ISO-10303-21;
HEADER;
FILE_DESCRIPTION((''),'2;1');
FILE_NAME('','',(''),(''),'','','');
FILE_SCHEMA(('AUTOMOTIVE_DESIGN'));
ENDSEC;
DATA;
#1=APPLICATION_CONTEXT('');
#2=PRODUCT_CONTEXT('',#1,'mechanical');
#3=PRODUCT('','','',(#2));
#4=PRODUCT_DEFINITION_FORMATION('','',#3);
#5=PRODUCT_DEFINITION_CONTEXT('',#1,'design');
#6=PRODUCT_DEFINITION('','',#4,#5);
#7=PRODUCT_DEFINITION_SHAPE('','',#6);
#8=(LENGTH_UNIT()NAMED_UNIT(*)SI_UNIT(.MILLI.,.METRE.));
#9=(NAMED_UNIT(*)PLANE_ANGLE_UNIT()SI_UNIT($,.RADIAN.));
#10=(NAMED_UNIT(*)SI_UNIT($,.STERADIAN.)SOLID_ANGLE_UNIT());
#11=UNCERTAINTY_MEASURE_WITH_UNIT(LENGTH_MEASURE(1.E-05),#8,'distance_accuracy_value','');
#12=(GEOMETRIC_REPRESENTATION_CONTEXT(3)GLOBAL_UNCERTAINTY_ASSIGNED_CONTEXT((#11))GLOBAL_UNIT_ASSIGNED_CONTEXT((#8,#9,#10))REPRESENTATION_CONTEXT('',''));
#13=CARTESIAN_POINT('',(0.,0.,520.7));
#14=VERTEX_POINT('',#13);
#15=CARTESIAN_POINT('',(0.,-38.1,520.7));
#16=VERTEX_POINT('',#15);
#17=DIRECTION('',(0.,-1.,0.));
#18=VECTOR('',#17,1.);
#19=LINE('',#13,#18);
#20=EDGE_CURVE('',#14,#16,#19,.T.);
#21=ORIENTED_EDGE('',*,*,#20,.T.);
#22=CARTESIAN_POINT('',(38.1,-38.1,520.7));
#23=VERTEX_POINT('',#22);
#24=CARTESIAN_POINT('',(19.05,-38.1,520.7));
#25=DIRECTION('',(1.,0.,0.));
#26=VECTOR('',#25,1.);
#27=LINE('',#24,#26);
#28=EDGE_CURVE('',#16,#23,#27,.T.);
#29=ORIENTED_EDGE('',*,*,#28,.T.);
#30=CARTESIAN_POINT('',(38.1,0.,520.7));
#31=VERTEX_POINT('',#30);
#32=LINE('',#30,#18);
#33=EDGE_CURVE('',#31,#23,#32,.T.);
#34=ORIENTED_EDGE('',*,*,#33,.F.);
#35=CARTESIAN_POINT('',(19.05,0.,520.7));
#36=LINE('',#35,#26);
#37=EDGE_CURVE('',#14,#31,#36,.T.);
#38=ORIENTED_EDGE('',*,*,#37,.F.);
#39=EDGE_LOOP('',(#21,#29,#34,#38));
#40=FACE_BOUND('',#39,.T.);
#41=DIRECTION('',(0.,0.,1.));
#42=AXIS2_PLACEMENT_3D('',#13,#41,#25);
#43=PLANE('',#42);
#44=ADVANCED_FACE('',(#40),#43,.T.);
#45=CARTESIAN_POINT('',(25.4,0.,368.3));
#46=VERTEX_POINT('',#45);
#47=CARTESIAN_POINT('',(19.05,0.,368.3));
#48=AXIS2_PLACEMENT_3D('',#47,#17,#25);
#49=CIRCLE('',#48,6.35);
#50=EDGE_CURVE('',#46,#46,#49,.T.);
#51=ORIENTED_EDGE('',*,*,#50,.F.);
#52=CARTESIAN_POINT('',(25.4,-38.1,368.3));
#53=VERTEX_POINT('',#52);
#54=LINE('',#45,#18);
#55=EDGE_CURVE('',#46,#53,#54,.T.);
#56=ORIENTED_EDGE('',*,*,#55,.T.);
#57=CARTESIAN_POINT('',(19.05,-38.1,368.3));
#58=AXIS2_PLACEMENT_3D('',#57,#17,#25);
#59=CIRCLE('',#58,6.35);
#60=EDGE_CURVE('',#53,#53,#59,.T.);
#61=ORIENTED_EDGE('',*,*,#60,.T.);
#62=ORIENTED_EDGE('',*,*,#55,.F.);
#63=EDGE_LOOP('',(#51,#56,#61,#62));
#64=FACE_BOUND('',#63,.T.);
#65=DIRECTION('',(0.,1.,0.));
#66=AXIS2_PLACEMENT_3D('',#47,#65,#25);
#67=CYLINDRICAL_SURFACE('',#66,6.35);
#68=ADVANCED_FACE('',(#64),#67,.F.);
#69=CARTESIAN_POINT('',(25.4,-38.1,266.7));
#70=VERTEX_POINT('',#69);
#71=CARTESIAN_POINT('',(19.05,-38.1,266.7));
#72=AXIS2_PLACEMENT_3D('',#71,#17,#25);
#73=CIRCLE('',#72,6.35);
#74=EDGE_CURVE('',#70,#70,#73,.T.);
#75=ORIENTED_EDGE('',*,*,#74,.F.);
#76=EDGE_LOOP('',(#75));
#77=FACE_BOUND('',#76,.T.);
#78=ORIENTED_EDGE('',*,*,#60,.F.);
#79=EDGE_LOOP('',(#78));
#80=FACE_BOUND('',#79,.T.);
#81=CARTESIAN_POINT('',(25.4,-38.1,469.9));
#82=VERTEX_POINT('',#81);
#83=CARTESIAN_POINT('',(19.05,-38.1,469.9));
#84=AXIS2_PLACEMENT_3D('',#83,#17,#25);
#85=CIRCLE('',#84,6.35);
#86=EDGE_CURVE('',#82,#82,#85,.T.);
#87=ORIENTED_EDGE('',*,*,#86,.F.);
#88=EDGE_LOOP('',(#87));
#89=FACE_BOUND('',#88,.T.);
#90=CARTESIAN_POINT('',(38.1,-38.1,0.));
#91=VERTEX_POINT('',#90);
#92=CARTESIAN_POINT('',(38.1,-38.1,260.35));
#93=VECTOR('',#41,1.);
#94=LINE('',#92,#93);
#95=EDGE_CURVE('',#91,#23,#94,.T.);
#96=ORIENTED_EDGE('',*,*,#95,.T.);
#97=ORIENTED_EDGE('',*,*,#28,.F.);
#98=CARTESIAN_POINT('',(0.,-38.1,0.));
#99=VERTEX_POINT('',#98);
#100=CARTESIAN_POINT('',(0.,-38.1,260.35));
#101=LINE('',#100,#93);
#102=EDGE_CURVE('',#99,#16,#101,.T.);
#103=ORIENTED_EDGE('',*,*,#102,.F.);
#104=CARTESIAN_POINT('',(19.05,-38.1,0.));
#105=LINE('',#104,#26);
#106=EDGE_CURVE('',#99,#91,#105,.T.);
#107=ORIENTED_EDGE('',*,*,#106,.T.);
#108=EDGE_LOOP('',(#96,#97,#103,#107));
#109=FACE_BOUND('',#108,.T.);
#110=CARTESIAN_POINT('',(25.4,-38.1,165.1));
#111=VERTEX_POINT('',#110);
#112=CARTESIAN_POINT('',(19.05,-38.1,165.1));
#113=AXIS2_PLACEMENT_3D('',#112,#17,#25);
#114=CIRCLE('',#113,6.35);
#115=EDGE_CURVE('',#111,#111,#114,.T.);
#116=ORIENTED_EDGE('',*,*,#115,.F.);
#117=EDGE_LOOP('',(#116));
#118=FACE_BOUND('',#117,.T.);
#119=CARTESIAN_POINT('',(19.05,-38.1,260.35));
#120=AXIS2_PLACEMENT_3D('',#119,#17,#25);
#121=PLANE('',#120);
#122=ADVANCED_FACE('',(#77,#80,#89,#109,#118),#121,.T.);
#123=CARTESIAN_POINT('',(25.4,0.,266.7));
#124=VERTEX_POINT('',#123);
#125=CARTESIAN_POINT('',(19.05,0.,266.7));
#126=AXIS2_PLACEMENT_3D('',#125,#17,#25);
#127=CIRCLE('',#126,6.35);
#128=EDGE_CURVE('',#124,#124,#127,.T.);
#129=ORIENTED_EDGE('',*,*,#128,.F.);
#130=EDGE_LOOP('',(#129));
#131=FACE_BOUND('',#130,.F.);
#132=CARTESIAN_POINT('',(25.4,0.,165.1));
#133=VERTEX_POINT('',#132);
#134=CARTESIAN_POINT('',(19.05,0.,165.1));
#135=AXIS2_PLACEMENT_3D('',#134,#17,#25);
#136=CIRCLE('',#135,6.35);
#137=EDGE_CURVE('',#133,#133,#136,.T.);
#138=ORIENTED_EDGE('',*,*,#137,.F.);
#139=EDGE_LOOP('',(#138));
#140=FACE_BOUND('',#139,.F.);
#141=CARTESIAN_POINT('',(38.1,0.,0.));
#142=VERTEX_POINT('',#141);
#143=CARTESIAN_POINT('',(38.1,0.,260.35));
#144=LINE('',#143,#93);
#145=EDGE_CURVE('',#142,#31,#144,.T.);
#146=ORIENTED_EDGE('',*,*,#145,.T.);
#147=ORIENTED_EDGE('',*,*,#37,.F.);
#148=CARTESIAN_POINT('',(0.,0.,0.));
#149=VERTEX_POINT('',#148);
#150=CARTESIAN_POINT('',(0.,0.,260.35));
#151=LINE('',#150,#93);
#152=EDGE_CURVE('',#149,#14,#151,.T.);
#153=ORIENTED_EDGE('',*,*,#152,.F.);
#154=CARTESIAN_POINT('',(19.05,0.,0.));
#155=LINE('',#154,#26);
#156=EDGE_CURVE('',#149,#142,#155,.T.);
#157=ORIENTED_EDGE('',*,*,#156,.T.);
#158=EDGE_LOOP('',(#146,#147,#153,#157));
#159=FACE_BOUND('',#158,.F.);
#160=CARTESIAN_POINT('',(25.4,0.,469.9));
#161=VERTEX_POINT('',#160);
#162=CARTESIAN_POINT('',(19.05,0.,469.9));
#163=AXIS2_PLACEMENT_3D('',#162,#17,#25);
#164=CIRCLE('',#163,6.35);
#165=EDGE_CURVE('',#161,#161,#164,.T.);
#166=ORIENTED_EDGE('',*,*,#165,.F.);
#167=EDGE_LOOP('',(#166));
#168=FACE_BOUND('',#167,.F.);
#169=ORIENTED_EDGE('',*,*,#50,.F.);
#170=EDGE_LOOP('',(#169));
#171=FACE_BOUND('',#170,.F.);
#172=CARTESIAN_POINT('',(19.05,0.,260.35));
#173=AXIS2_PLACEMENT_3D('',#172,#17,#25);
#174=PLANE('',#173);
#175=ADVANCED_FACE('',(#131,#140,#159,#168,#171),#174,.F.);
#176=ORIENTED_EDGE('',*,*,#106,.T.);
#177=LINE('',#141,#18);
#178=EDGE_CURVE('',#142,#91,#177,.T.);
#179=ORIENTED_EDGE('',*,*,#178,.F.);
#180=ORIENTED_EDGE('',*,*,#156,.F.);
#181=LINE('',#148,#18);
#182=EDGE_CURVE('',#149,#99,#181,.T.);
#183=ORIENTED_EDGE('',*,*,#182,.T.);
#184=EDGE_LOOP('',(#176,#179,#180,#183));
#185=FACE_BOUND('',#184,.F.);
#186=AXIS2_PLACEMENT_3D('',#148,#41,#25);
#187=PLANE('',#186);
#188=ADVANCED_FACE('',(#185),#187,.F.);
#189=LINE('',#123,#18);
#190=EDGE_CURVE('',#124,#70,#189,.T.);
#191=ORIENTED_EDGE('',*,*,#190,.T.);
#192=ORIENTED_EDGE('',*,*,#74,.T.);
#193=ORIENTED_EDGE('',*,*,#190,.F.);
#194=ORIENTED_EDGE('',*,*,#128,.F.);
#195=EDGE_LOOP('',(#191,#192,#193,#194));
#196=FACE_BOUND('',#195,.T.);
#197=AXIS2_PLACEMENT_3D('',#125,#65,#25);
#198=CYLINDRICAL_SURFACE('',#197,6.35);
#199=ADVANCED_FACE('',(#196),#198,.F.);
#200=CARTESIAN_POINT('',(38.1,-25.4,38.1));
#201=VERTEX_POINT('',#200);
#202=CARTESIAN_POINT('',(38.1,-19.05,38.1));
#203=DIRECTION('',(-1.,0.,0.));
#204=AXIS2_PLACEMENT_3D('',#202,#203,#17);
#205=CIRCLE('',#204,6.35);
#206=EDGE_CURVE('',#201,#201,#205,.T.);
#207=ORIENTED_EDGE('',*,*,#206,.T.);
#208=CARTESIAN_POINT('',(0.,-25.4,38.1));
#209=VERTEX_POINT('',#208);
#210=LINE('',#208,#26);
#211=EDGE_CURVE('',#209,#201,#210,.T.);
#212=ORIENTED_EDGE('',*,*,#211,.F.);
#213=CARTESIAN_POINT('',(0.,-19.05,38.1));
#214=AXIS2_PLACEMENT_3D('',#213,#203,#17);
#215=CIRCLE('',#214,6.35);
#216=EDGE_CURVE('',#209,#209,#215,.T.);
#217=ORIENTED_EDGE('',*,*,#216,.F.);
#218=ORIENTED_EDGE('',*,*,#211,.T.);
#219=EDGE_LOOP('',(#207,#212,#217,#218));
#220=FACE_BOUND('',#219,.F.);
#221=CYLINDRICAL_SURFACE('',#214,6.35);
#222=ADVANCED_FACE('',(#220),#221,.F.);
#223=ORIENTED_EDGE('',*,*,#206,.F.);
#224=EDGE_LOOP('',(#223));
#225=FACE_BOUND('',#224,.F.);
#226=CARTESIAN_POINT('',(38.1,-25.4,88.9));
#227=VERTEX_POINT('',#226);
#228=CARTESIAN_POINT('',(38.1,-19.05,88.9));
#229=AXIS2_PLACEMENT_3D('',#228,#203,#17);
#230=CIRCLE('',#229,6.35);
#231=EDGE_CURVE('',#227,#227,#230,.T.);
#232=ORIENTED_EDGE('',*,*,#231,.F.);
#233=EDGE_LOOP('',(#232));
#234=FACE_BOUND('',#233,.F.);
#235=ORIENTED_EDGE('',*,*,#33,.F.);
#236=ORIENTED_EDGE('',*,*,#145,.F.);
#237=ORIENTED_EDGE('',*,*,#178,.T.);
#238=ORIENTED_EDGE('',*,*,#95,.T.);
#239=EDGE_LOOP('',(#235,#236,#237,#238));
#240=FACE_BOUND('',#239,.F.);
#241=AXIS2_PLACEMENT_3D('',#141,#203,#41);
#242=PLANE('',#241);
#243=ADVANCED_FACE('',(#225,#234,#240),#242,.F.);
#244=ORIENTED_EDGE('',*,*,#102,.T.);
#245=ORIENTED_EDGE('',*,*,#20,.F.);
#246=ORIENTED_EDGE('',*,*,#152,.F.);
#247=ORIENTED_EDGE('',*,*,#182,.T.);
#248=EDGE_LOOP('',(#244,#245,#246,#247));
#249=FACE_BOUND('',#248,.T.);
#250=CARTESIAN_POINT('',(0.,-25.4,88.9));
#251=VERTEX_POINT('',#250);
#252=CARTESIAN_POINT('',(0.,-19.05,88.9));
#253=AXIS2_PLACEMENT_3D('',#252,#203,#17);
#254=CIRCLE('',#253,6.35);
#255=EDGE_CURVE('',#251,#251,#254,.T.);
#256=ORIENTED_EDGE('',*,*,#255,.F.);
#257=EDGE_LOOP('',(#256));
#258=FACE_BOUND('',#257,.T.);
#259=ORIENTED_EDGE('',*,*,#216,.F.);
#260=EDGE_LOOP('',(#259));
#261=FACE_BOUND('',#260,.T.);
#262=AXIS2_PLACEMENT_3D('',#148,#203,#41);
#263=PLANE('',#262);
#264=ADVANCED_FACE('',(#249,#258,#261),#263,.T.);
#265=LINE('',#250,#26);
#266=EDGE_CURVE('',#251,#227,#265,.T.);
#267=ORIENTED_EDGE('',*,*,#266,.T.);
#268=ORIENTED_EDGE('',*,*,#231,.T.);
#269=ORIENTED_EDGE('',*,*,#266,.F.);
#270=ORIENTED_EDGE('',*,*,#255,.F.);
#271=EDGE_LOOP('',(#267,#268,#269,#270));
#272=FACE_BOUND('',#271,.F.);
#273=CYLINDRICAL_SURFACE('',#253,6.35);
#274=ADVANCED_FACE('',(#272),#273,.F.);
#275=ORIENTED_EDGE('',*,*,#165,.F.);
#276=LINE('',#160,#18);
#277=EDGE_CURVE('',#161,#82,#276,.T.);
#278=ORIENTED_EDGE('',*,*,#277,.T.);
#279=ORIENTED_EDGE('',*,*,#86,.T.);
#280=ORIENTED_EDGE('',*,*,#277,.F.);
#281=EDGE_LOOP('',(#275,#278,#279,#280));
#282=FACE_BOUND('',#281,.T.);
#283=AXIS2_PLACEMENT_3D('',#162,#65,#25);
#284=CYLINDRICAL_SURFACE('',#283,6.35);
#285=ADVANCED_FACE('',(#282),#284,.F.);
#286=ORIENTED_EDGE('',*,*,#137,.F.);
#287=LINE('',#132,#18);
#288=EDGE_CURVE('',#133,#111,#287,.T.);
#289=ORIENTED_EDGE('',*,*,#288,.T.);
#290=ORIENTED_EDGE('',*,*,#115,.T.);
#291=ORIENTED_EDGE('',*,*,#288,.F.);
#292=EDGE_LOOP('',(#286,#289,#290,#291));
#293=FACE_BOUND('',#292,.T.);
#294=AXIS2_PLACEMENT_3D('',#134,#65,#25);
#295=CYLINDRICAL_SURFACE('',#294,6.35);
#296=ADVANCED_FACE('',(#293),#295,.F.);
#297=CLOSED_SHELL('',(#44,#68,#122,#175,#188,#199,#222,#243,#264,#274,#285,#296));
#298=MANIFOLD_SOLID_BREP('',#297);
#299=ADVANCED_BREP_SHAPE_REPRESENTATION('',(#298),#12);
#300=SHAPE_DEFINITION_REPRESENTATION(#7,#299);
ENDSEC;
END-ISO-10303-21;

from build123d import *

# Parameters (mm, degrees)
F0_W     = 38.1
F0_H     = 520.7
F0_R     = 6.35
F1_DEPTH = 38.1
F2_R     = 6.35
F3_DEPTH = 38.101


with BuildPart() as f1:
    # F0 (on Front) → F1 (new body)
    with BuildSketch(Plane.XZ):
        with Locations((19.05, 260.35)):
            Rectangle(F0_W, F0_H)
        with Locations((19.05, 165.1)):
            Circle(F0_R, mode=Mode.SUBTRACT)
        with Locations((19.05, 266.7)):
            Circle(F0_R, mode=Mode.SUBTRACT)
        with Locations((19.05, 368.3)):
            Circle(F0_R, mode=Mode.SUBTRACT)
        with Locations((19.05, 469.9)):
            Circle(F0_R, mode=Mode.SUBTRACT)
    extrude(amount=F1_DEPTH)

    # F2 (on face) → F3 (cut, through all)
    with BuildSketch(Plane(origin=(0, 0, 0), x_dir=(0, -1, 0), z_dir=(-1, 0, 0))):
        with Locations((19.05, 38.1)):
            Circle(F2_R)
        with Locations((19.05, 88.9)):
            Circle(F2_R)
    extrude(amount=-F3_DEPTH, mode=Mode.SUBTRACT)


solid = f1.part
